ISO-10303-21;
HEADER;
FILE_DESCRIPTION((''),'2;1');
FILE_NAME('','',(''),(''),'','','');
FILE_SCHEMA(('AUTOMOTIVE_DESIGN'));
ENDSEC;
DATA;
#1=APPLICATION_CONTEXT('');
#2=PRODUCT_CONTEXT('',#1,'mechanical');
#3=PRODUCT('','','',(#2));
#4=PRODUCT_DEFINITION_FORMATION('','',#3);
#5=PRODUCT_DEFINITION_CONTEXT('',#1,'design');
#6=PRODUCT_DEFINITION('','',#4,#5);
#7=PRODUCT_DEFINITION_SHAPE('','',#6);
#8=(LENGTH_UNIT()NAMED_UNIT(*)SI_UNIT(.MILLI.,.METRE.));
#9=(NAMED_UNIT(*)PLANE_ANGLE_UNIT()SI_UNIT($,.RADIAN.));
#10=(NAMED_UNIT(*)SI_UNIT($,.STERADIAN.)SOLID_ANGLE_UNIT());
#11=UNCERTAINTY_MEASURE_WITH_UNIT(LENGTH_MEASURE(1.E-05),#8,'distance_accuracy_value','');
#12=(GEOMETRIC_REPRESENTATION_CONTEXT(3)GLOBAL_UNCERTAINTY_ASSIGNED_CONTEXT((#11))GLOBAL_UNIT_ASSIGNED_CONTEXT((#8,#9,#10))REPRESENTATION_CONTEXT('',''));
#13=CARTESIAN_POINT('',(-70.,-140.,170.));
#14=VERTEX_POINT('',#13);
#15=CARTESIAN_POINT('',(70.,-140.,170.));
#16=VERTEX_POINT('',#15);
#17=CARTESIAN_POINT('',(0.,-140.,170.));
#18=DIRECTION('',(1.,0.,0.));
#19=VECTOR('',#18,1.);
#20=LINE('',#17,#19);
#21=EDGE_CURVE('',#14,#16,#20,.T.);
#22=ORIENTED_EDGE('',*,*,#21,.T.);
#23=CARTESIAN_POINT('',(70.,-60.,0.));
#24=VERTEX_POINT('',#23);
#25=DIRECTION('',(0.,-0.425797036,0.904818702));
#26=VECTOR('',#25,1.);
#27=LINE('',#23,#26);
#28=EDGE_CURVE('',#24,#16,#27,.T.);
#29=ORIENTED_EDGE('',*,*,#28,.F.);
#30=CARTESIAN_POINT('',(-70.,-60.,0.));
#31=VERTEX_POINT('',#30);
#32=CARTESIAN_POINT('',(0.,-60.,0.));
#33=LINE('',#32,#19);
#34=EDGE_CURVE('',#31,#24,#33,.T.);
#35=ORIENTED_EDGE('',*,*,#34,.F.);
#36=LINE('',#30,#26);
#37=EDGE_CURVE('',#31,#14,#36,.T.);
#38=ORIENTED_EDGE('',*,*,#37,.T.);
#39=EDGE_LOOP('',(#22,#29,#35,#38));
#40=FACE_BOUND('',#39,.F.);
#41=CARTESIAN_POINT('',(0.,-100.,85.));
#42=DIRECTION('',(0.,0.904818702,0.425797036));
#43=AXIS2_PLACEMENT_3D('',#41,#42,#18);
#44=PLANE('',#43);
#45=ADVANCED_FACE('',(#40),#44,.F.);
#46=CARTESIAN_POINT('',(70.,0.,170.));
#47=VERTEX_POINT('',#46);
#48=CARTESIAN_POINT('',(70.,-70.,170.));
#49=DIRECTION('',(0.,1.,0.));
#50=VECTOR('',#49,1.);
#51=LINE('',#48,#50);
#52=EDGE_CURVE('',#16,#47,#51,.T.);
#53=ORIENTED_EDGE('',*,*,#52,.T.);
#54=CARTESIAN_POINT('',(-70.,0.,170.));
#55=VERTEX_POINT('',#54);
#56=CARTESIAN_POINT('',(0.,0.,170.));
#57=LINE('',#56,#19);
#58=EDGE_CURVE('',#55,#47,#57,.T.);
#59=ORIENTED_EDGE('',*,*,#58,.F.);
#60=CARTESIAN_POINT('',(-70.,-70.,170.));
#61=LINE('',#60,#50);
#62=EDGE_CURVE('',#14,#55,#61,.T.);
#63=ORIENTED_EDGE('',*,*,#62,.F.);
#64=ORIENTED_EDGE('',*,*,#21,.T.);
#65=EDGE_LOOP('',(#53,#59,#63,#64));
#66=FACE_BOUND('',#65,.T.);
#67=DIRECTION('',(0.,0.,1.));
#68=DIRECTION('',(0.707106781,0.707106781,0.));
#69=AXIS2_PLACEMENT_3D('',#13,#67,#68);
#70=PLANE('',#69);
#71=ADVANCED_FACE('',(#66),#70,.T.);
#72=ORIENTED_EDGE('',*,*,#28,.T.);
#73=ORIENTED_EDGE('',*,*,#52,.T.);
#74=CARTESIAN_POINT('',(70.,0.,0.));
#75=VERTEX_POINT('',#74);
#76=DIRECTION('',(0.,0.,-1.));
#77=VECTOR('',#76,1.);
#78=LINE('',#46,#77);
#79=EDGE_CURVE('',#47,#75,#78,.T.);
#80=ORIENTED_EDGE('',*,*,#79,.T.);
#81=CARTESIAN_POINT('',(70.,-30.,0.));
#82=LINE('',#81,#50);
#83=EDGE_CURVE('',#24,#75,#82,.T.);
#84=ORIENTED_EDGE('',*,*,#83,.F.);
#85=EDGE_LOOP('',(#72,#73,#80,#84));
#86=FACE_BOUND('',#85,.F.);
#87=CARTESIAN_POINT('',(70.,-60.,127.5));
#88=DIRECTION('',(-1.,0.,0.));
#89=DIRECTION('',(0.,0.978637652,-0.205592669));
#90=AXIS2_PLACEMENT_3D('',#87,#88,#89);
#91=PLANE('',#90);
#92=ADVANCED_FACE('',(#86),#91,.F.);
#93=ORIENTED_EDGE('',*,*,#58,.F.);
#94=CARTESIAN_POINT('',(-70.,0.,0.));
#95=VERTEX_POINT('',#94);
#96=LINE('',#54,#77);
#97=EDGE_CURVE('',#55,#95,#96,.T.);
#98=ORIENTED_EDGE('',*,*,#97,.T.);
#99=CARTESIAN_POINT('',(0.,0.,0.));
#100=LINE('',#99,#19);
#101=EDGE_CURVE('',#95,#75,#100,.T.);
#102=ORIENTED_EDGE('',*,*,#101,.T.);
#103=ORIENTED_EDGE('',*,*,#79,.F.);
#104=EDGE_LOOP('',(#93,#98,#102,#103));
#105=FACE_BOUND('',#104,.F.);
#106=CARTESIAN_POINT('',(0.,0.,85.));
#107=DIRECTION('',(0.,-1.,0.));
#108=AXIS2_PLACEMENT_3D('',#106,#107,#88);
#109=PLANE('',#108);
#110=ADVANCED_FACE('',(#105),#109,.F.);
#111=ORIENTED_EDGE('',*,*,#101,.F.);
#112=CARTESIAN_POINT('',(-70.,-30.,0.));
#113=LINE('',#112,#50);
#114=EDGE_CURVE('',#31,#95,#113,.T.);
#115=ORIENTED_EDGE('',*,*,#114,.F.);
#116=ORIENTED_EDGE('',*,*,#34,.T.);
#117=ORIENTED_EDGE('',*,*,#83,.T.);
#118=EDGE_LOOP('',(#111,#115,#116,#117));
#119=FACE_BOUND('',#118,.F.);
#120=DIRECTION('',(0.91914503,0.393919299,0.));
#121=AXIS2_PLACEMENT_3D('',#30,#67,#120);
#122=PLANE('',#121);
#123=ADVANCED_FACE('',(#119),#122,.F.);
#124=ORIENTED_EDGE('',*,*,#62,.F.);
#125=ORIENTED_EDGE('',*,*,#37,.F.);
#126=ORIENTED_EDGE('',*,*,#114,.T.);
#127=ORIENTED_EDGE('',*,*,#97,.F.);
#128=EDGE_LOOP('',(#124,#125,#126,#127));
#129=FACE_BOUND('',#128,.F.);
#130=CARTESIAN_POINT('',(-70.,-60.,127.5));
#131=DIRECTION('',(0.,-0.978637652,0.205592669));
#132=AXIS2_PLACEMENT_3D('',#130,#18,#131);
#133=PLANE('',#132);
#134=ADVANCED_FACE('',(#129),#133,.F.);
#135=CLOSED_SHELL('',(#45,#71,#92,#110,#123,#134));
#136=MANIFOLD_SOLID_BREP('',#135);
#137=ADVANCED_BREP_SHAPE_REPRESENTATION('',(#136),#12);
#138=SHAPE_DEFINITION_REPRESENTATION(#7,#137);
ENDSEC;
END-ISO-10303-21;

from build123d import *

# Parameters (mm, degrees)
F1_W      = 140
F1_H      = 140
F5_W      = 140
F5_H      = 100
F6_FACE_W = 140
F6_FACE_H = 140
F3_W      = 140
F3_H      = 60


with BuildPart() as f6:
    # F1 (on offset) → F6 section 0
    with BuildSketch(Plane.XY.offset(170)):
        with Locations((0, -70)):
            Rectangle(F1_W, F1_H)
    # F5 (on offset) → F6 section 1
    with BuildSketch(Plane.XY.offset(85)):
        with Locations((0, -50)):
            Rectangle(F5_W, F5_H)
    loft()

    # F6_face (on face) → F7 section 0
    with BuildSketch(Plane(origin=(0, -70, 170), x_dir=(1, 0, 0), z_dir=(0, 0, 1))):
        Rectangle(F6_FACE_W, F6_FACE_H)
    # F3 (on Top) → F7 section 1
    with BuildSketch(Plane.XY):
        with Locations((0, -30)):
            Rectangle(F3_W, F3_H)
    loft()


solid = f6.part
